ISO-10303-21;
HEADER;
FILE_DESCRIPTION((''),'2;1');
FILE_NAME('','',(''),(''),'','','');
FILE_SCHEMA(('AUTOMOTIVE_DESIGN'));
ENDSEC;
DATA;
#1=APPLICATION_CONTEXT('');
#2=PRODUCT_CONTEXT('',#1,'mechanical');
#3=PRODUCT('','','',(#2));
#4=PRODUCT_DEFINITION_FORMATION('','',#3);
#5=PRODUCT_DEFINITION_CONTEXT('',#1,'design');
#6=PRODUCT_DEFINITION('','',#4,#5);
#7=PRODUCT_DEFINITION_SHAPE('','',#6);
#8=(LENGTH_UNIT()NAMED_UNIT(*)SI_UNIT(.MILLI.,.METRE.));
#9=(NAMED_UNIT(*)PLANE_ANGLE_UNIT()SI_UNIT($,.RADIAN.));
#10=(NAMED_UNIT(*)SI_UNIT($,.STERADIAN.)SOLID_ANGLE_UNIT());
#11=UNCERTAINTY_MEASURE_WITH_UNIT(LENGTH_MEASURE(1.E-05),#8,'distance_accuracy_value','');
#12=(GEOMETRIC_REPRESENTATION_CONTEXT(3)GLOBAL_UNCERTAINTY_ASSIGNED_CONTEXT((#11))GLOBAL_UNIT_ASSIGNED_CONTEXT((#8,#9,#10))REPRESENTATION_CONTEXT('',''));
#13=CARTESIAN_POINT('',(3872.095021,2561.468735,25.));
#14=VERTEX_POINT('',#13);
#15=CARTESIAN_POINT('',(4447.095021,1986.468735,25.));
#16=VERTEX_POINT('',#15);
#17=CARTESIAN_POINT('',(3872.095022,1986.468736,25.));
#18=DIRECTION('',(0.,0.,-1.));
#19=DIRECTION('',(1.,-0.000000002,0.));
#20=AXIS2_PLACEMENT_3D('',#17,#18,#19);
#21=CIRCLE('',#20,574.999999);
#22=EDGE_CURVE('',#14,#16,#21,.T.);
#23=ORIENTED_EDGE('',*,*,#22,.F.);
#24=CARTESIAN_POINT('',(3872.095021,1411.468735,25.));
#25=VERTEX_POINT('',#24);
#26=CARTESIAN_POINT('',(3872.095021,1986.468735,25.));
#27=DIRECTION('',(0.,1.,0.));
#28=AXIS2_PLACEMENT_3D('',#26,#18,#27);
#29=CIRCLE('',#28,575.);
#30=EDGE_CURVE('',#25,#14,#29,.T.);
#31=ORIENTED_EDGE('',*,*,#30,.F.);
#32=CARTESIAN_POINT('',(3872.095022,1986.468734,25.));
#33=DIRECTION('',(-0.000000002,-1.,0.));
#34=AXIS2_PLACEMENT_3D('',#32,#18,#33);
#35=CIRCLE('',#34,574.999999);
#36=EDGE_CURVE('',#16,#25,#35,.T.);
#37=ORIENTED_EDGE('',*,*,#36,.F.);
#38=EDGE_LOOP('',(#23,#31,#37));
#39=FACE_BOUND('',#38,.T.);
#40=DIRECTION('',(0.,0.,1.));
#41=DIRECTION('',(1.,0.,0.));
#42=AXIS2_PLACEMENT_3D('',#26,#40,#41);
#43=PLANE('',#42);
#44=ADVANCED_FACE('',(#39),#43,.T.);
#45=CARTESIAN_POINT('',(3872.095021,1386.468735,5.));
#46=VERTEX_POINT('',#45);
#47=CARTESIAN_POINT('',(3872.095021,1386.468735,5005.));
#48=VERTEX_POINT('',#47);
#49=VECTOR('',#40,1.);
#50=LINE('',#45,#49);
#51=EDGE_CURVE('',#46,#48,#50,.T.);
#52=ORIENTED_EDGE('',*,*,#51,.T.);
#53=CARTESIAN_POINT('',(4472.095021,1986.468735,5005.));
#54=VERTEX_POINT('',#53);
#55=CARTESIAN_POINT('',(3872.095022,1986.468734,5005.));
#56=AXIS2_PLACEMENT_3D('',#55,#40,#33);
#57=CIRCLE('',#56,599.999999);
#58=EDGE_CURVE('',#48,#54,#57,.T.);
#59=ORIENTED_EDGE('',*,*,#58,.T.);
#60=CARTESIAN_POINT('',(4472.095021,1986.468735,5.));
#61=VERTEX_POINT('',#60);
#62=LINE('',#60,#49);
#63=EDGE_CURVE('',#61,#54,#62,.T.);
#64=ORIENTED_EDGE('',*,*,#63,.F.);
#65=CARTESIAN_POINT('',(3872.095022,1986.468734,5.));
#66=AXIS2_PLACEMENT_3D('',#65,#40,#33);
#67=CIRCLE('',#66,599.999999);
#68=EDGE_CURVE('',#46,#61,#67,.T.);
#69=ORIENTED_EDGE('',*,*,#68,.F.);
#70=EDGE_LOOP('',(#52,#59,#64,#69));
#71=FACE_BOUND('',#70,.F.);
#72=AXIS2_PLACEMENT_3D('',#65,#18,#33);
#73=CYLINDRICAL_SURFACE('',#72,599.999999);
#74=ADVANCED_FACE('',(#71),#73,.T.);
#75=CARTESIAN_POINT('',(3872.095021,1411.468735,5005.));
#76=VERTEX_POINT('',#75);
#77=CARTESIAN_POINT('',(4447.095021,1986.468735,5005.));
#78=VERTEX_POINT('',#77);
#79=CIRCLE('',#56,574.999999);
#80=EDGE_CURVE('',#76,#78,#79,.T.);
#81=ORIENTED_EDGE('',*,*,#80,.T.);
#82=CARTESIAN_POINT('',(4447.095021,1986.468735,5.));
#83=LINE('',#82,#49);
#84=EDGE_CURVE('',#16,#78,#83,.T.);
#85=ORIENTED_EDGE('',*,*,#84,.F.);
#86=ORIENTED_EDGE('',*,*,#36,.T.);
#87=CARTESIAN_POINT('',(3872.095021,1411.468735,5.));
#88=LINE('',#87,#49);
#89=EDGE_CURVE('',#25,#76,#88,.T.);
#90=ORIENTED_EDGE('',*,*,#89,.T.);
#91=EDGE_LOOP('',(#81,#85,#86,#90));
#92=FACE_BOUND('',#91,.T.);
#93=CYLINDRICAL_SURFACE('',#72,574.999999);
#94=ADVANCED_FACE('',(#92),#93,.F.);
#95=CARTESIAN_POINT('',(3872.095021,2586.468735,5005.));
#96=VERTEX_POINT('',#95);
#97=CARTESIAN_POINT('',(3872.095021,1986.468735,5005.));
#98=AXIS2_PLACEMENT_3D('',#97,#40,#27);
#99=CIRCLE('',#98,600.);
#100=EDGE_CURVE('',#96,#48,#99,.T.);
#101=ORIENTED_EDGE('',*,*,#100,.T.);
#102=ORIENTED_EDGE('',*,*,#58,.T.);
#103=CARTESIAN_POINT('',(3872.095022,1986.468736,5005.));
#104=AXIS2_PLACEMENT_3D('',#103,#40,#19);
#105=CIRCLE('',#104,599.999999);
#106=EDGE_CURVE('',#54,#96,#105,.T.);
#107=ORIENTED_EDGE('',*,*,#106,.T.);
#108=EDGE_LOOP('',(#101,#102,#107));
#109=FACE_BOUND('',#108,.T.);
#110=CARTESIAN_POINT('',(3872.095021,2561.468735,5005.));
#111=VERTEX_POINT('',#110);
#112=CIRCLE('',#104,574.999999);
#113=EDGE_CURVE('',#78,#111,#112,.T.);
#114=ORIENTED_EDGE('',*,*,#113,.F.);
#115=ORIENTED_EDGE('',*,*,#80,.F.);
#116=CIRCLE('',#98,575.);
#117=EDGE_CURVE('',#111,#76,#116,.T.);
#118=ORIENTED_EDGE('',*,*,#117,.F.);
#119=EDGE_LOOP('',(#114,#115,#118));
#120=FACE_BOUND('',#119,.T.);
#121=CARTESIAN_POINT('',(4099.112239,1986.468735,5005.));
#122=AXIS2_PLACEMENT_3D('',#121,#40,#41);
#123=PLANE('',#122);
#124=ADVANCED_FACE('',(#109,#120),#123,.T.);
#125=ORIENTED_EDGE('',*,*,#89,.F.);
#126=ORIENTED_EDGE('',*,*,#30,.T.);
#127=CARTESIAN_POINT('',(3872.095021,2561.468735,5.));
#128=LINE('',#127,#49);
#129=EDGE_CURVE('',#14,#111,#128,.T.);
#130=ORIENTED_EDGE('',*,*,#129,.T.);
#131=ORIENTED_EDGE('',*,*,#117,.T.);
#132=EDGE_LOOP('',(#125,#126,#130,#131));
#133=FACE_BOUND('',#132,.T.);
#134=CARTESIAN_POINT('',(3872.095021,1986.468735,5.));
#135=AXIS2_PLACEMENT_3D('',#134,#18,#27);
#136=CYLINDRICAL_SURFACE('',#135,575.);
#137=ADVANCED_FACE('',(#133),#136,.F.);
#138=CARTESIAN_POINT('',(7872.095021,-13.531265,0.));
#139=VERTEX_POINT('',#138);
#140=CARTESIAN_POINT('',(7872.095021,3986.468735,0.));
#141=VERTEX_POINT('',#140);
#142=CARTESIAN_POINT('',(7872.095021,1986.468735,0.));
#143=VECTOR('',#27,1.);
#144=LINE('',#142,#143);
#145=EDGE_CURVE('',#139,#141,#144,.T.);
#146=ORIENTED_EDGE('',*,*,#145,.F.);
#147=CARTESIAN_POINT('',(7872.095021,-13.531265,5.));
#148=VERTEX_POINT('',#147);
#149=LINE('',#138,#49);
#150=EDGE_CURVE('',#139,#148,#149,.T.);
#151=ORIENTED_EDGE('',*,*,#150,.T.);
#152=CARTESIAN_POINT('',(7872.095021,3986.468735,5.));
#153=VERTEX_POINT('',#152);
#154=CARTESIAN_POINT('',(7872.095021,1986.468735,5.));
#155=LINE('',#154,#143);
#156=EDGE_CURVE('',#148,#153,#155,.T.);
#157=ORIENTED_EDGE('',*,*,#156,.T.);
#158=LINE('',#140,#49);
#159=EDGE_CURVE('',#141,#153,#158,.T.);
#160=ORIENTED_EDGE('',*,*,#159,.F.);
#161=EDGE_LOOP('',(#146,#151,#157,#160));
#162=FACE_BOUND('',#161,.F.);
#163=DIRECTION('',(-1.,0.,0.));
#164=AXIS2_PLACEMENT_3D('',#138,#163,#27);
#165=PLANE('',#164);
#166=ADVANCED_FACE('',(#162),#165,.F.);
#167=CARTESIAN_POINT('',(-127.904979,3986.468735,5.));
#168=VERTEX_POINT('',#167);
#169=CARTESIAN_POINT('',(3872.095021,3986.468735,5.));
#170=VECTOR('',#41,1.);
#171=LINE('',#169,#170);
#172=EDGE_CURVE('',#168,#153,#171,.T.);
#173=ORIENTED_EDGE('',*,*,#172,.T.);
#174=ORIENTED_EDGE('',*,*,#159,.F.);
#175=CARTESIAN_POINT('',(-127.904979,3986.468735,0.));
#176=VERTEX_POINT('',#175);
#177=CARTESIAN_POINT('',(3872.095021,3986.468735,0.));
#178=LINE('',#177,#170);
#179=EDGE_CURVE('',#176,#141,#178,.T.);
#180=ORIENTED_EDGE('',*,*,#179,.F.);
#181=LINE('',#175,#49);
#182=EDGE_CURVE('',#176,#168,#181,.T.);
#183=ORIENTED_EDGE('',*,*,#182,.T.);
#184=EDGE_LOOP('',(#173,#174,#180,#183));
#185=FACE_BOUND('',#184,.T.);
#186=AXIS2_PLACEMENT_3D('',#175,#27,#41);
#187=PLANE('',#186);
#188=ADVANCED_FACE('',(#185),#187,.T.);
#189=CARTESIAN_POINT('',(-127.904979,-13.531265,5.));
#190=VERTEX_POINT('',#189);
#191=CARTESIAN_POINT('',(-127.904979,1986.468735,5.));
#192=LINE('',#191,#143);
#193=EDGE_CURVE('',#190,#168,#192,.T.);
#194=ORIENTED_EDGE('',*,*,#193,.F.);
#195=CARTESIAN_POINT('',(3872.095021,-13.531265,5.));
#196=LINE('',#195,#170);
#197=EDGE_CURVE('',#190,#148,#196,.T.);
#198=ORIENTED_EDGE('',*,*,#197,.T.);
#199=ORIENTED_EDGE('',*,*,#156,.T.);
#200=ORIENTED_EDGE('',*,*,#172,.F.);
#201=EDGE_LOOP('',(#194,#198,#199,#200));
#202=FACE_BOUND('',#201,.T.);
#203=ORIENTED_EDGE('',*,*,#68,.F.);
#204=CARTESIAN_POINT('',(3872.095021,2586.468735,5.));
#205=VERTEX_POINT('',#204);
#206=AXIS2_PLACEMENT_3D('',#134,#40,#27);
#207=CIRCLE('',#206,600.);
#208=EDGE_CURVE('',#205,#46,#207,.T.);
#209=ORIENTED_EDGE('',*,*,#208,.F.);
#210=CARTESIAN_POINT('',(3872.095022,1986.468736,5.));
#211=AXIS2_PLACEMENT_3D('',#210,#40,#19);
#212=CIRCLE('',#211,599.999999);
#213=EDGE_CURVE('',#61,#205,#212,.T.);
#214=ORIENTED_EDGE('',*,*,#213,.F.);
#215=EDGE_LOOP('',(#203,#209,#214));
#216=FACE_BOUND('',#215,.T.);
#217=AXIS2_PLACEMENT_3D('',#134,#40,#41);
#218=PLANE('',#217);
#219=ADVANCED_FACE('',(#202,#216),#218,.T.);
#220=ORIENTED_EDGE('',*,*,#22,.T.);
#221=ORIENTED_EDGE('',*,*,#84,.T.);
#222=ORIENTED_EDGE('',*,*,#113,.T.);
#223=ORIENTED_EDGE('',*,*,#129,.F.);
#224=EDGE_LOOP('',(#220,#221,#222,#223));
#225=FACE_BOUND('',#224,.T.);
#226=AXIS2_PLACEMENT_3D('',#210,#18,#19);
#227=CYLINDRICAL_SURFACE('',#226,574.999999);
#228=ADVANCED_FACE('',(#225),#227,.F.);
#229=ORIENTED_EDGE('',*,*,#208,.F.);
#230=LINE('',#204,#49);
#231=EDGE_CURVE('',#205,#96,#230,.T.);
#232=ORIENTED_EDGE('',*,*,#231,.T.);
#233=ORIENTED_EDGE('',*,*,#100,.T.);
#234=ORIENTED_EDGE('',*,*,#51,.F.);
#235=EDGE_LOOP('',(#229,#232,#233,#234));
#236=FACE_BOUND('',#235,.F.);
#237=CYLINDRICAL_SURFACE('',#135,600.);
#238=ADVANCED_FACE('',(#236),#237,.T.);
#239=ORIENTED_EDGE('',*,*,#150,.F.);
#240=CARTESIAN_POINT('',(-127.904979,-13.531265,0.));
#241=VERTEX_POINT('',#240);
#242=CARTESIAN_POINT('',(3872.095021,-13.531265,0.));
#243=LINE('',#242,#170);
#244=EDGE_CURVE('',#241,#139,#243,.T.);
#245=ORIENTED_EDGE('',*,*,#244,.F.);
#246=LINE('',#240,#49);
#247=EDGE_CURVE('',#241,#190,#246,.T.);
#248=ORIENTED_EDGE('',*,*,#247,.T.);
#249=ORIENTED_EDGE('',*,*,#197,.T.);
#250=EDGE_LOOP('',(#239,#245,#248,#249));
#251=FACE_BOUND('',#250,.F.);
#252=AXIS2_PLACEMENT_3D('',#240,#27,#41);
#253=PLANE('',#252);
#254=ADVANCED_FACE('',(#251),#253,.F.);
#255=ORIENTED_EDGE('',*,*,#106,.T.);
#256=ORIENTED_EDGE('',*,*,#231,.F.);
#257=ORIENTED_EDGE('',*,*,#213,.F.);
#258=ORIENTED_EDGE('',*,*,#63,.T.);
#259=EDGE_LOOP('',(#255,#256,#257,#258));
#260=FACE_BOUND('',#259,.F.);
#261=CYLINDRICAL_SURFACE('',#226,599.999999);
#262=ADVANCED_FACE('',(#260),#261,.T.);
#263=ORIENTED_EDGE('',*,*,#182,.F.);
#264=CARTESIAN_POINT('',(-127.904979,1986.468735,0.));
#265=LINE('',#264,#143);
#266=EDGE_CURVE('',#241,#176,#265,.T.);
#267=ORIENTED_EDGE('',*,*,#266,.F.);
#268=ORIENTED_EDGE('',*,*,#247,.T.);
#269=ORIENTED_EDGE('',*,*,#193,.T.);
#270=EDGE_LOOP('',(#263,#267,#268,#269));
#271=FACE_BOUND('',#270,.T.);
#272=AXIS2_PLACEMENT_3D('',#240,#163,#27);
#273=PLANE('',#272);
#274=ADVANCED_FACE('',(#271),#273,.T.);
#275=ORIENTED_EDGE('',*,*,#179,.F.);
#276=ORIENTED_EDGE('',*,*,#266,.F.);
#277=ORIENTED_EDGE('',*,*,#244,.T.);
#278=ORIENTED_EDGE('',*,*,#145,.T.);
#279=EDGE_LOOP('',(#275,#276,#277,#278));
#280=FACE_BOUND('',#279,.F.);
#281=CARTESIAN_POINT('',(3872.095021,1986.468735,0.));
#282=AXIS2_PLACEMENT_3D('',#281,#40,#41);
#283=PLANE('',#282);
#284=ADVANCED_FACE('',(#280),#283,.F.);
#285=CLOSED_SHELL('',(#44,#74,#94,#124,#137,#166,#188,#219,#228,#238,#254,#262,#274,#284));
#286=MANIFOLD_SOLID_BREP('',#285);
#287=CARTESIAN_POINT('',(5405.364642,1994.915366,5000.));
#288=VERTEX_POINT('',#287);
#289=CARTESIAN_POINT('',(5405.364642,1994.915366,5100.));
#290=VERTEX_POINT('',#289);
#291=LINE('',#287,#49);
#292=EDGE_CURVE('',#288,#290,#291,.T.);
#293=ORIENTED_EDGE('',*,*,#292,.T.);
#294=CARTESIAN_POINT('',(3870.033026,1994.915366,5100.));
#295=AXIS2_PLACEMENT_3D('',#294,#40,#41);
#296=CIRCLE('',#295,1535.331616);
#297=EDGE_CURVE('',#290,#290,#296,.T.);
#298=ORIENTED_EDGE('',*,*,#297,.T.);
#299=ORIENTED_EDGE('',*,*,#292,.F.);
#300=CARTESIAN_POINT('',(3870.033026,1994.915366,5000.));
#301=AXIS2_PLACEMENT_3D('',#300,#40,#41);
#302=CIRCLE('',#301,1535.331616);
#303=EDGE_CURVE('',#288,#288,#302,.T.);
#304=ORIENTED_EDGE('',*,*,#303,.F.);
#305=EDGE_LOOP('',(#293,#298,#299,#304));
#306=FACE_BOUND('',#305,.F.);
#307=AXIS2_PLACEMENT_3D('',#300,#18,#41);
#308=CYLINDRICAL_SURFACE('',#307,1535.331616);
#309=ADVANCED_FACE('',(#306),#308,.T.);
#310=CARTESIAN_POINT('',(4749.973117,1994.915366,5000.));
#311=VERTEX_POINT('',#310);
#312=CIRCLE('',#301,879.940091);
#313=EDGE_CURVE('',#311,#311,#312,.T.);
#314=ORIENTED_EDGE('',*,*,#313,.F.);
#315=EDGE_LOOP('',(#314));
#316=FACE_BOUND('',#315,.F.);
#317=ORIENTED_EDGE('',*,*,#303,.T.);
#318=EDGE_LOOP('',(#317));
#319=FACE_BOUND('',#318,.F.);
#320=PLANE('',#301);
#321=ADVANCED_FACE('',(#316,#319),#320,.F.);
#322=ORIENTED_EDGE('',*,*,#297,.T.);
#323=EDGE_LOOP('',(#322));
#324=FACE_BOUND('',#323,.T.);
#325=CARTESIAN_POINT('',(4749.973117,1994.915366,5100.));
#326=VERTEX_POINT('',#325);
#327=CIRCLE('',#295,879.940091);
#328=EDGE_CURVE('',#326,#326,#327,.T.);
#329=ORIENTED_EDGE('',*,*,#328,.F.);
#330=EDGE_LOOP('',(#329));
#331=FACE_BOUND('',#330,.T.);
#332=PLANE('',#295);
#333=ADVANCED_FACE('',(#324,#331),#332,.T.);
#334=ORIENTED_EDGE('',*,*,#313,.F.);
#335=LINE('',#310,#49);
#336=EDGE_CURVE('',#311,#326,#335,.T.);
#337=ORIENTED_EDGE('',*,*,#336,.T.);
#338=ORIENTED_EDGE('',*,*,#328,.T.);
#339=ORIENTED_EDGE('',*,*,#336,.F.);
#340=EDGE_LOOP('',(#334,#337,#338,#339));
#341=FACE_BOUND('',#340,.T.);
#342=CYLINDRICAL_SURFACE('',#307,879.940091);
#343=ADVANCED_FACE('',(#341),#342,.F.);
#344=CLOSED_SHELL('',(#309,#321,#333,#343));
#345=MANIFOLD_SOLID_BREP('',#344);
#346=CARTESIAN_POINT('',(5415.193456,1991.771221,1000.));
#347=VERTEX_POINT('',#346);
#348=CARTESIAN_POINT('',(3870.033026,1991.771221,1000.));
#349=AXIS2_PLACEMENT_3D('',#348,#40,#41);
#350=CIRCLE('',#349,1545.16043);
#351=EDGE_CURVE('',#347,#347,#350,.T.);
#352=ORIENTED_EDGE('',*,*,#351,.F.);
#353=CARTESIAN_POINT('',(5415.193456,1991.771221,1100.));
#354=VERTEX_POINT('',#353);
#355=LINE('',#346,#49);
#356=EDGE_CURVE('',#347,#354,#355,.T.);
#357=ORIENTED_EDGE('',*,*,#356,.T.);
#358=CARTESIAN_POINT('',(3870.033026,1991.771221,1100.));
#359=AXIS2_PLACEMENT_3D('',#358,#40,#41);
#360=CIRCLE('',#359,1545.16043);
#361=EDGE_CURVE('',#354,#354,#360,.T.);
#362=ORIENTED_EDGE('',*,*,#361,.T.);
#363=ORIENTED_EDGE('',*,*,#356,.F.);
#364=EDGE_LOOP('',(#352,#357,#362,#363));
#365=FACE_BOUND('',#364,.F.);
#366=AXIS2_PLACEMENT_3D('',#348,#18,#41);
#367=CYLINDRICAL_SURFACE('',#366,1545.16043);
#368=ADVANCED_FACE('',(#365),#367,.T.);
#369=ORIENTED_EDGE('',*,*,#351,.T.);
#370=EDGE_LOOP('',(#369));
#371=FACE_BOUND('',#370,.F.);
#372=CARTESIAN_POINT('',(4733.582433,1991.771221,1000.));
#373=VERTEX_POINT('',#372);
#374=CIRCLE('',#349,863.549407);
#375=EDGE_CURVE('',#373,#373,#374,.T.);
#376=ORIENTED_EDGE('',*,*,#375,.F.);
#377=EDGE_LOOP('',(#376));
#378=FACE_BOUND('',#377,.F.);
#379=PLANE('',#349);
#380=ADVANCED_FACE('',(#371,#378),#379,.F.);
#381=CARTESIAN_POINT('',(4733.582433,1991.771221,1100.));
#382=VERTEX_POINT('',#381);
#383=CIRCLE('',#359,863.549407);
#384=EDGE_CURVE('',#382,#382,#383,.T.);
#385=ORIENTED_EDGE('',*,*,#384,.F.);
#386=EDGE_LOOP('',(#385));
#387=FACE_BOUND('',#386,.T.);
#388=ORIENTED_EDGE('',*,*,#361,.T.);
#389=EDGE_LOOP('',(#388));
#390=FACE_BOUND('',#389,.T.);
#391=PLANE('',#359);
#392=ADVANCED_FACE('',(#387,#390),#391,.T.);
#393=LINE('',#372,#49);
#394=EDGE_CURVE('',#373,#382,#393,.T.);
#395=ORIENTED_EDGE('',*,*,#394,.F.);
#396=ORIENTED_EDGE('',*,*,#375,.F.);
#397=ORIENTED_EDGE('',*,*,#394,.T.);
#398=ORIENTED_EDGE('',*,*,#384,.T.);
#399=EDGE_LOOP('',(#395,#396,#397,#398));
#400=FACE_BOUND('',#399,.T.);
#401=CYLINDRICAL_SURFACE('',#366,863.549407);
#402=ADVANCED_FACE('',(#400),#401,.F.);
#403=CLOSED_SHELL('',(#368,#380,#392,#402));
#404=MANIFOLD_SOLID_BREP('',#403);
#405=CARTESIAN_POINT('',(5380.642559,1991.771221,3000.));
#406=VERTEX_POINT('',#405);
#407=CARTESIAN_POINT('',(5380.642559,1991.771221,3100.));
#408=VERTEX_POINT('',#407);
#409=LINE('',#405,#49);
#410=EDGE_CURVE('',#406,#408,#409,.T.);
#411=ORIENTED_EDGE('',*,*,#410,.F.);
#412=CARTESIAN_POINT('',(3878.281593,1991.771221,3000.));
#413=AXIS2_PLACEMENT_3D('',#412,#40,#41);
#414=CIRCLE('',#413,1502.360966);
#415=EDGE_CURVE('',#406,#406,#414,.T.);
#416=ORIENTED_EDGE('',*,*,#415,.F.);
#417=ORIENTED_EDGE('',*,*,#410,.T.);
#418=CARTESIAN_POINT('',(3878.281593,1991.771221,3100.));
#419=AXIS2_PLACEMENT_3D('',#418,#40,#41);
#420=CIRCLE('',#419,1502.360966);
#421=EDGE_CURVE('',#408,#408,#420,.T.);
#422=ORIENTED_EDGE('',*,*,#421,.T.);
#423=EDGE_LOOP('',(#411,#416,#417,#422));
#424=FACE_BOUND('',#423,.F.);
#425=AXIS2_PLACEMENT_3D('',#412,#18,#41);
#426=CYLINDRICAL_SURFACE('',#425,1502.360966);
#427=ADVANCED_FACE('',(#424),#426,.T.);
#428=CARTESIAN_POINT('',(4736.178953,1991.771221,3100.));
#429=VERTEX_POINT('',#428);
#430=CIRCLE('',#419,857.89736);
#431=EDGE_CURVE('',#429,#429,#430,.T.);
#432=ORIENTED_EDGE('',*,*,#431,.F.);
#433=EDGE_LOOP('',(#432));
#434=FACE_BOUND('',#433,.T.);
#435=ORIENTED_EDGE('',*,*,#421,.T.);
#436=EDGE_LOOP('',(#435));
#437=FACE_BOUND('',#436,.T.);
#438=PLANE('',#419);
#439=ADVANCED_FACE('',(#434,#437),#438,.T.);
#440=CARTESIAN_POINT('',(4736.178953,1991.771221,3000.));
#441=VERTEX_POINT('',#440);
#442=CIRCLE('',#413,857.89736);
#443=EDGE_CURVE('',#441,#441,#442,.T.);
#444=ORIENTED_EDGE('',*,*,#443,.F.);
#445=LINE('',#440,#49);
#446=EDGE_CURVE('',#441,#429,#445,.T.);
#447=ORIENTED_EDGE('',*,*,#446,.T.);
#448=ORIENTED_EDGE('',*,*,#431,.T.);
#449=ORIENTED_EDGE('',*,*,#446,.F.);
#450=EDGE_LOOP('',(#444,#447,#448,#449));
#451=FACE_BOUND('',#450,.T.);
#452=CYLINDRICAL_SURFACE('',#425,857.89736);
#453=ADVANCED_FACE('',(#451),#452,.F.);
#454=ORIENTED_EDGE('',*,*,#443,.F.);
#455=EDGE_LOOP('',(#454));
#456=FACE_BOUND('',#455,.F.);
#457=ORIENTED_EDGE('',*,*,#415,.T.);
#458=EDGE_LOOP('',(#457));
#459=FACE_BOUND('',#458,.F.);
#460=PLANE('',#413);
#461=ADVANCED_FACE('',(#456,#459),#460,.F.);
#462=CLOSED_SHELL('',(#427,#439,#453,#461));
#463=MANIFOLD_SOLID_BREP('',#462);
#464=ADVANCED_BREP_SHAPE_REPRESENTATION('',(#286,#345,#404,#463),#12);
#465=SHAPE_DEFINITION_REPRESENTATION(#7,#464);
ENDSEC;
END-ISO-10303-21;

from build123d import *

# Parameters (mm, degrees)
F0_W      = 8000
F0_H      = 4000
F1_DEPTH  = 5
F3_DEPTH  = 5000
F4_T      = -25
F8_R      = 1535.331616
F8_R_2    = 879.940091
F9_DEPTH  = 100
F10_R     = 1502.360966
F10_R_2   = 857.89736
F11_DEPTH = 100
F12_R     = 1545.16043
F12_R_2   = 863.549407
F13_DEPTH = 100


with BuildPart() as f1:
    # F0 (on Top) → F1 (new body)
    with BuildSketch(Plane.XY):
        with Locations((3872.095021, 1986.468735)):
            Rectangle(F0_W, F0_H)
    extrude(amount=F1_DEPTH)

    # F2 (on face) → F3 (join)
    with BuildSketch(Plane.XY.offset(5)):
        with BuildLine():
            ThreePointArc((3872.095021, 1386.468735), (4296.35909, 1562.204666), (4472.095021, 1986.468735))
            ThreePointArc((4472.095021, 1986.468735), (4296.35909, 2410.732804), (3872.095021, 2586.468735))
            Line((3872.095021, 2586.468735), (3872.095021, 1386.468735))
        make_face()
        with BuildLine():
            Line((3872.095021, 1386.468735), (3872.095021, 2586.468735))
            ThreePointArc((3872.095021, 2586.468735), (3272.095021, 1986.468735), (3872.095021, 1386.468735))
        make_face()
    extrude(amount=F3_DEPTH)

    # F4
    f4_openings = [f1.faces().sort_by_distance(p)[0] for p in [
        (3872.095021, 1986.468735, 5005),
    ]]
    offset(amount=F4_T, openings=f4_openings)


with BuildPart() as f9:
    # F8 (on offset) → F9 (new body)
    with BuildSketch(Plane.XY.offset(5000)):
        with Locations((3870.033026, 1994.915366)):
            Circle(F8_R)
        with Locations((3870.033026, 1994.915366)):
            Circle(F8_R_2, mode=Mode.SUBTRACT)
    extrude(amount=F9_DEPTH)


with BuildPart() as f11:
    # F10 (on offset) → F11 (new body)
    with BuildSketch(Plane.XY.offset(3000)):
        with Locations((3878.281593, 1991.771221)):
            Circle(F10_R)
        with Locations((3878.281593, 1991.771221)):
            Circle(F10_R_2, mode=Mode.SUBTRACT)
    extrude(amount=F11_DEPTH)


with BuildPart() as f13:
    # F12 (on offset) → F13 (new body)
    with BuildSketch(Plane.XY.offset(1000)):
        with Locations((3870.033026, 1991.771221)):
            Circle(F12_R)
        with Locations((3870.033026, 1991.771221)):
            Circle(F12_R_2, mode=Mode.SUBTRACT)
    extrude(amount=F13_DEPTH)


solid = Compound([f1.part, f9.part, f11.part, f13.part])
